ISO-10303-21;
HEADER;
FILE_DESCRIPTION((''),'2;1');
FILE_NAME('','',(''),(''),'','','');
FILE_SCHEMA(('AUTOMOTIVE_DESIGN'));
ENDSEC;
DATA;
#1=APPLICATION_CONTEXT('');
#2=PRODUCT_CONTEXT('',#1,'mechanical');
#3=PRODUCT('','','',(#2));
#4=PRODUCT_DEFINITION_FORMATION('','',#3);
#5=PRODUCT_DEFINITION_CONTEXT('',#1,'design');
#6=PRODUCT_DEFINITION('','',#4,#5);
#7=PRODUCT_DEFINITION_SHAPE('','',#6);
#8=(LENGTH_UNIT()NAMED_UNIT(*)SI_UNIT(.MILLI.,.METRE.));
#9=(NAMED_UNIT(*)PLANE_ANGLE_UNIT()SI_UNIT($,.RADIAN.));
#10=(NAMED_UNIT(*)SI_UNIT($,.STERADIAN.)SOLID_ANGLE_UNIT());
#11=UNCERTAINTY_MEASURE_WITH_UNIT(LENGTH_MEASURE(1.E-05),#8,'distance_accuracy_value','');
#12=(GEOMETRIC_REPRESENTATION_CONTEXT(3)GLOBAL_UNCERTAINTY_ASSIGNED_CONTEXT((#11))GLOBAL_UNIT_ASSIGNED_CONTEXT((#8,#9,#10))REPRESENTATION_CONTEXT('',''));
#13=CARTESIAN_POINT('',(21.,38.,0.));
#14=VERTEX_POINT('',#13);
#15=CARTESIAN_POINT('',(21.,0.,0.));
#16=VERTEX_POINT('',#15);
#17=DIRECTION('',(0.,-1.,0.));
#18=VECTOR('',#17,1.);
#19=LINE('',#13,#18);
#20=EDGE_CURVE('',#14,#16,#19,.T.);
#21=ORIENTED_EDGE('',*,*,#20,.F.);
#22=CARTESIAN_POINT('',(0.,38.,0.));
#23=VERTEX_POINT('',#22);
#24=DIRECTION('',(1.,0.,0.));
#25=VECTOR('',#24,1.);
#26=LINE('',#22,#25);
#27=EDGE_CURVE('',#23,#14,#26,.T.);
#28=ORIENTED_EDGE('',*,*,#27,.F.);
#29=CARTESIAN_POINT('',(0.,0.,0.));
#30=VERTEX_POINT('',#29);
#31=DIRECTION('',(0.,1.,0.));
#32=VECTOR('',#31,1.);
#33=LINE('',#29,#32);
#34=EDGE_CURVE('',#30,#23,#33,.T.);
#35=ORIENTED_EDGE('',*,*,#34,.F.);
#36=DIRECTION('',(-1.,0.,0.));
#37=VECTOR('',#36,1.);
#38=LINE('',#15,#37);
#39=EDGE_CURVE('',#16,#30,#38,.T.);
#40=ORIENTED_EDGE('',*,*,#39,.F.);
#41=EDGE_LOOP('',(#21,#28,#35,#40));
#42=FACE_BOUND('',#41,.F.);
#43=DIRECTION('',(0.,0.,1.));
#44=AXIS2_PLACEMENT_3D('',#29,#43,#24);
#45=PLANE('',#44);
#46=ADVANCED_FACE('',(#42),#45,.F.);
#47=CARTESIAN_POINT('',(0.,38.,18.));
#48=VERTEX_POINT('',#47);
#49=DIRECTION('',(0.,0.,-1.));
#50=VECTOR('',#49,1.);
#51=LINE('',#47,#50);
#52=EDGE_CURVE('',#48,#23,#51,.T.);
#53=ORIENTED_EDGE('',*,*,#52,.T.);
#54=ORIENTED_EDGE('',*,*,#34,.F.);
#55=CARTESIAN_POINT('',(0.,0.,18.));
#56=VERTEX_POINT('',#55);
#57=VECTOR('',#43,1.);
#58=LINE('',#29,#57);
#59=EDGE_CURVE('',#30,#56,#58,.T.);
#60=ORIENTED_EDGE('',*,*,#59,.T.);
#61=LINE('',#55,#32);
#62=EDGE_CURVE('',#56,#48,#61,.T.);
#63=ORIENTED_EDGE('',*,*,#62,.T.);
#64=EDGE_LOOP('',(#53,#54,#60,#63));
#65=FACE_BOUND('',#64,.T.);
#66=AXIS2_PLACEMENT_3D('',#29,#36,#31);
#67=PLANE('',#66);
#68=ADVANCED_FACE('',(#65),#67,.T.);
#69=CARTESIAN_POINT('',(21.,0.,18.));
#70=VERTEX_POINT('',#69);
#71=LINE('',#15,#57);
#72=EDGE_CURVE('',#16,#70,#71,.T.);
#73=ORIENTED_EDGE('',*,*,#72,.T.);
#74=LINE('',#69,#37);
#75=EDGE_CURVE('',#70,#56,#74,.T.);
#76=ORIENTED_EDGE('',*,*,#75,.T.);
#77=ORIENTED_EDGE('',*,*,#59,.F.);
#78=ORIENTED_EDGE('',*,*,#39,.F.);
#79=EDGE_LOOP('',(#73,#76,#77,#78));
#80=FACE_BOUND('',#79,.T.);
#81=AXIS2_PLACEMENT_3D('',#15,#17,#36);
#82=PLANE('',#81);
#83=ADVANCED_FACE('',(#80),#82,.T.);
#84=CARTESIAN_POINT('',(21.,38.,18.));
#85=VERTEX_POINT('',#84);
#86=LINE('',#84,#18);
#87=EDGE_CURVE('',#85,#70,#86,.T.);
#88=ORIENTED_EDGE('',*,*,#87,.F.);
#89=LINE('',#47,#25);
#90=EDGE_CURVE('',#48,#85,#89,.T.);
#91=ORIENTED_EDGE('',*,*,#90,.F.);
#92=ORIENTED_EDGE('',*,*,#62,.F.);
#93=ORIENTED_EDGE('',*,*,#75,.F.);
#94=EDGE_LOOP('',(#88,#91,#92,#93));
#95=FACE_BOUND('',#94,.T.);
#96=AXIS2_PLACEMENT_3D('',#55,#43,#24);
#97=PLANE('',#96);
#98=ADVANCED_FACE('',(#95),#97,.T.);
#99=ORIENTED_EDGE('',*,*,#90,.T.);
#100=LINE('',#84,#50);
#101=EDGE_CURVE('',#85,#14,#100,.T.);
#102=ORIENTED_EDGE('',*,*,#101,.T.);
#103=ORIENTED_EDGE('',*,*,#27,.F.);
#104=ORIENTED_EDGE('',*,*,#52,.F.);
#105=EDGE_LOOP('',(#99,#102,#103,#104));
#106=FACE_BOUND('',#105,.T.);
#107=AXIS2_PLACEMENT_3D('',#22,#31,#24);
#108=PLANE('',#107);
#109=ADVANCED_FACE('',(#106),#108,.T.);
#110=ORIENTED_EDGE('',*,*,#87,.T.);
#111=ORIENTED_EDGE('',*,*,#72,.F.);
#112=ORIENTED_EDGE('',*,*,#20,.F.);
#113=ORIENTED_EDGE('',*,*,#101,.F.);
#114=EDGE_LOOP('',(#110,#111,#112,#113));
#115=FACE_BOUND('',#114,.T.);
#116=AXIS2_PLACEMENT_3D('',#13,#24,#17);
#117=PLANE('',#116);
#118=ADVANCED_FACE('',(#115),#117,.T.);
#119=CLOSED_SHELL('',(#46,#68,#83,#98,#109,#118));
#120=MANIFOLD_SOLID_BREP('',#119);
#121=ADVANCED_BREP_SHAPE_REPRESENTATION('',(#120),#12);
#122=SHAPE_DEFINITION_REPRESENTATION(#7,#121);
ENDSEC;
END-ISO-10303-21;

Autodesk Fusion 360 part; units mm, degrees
sketch "Sketch1" plane through (0, 0, 0) normal (0, 0, 1) x (1, 0, 0)
  line L0 (0, 0) -> (0, 20)
  line L1 (0, 20) -> (20, 20)
  line L2 (20, 20) -> (20, 0)
  line L3 (20, 0) -> (0, 0)
  dimension "d2" = 20
  dimension "d3" = 20
  dimension "d4" = 20
extrude "Extrude1" add sketch "Sketch1" along normal blind 2

Autodesk Fusion 360 part; units mm, degrees
sketch "Sketch1" plane through (0, 0, 0) normal (0, 0, 1) x (1, 0, 0)
  line L0 (0, 0) -> (0, 67)
  line L1 (0, 67) -> (26, 67)
  line L2 (26, 67) -> (26, 0)
  line L3 (26, 0) -> (0, 0)
  dimension "d1" = 67
  dimension "d2" = 26
  dimension "d3" = 67
extrude "Extrude1" add sketch "Sketch1" along normal blind 18

Autodesk Fusion 360 part; units mm, degrees
sketch "Sketch1" plane through (0, 0, 0) normal (0, 0, 1) x (1, 0, 0)
  line L0 (0, 0) -> (0, 38)
  line L1 (0, 38) -> (21, 38)
  line L2 (21, 38) -> (21, 0)
  line L3 (21, 0) -> (0, 0)
  dimension "d1" = 38
  dimension "d2" = 21
  dimension "d3" = 38
extrude "Extrude1" add sketch "Sketch1" along normal blind 7
